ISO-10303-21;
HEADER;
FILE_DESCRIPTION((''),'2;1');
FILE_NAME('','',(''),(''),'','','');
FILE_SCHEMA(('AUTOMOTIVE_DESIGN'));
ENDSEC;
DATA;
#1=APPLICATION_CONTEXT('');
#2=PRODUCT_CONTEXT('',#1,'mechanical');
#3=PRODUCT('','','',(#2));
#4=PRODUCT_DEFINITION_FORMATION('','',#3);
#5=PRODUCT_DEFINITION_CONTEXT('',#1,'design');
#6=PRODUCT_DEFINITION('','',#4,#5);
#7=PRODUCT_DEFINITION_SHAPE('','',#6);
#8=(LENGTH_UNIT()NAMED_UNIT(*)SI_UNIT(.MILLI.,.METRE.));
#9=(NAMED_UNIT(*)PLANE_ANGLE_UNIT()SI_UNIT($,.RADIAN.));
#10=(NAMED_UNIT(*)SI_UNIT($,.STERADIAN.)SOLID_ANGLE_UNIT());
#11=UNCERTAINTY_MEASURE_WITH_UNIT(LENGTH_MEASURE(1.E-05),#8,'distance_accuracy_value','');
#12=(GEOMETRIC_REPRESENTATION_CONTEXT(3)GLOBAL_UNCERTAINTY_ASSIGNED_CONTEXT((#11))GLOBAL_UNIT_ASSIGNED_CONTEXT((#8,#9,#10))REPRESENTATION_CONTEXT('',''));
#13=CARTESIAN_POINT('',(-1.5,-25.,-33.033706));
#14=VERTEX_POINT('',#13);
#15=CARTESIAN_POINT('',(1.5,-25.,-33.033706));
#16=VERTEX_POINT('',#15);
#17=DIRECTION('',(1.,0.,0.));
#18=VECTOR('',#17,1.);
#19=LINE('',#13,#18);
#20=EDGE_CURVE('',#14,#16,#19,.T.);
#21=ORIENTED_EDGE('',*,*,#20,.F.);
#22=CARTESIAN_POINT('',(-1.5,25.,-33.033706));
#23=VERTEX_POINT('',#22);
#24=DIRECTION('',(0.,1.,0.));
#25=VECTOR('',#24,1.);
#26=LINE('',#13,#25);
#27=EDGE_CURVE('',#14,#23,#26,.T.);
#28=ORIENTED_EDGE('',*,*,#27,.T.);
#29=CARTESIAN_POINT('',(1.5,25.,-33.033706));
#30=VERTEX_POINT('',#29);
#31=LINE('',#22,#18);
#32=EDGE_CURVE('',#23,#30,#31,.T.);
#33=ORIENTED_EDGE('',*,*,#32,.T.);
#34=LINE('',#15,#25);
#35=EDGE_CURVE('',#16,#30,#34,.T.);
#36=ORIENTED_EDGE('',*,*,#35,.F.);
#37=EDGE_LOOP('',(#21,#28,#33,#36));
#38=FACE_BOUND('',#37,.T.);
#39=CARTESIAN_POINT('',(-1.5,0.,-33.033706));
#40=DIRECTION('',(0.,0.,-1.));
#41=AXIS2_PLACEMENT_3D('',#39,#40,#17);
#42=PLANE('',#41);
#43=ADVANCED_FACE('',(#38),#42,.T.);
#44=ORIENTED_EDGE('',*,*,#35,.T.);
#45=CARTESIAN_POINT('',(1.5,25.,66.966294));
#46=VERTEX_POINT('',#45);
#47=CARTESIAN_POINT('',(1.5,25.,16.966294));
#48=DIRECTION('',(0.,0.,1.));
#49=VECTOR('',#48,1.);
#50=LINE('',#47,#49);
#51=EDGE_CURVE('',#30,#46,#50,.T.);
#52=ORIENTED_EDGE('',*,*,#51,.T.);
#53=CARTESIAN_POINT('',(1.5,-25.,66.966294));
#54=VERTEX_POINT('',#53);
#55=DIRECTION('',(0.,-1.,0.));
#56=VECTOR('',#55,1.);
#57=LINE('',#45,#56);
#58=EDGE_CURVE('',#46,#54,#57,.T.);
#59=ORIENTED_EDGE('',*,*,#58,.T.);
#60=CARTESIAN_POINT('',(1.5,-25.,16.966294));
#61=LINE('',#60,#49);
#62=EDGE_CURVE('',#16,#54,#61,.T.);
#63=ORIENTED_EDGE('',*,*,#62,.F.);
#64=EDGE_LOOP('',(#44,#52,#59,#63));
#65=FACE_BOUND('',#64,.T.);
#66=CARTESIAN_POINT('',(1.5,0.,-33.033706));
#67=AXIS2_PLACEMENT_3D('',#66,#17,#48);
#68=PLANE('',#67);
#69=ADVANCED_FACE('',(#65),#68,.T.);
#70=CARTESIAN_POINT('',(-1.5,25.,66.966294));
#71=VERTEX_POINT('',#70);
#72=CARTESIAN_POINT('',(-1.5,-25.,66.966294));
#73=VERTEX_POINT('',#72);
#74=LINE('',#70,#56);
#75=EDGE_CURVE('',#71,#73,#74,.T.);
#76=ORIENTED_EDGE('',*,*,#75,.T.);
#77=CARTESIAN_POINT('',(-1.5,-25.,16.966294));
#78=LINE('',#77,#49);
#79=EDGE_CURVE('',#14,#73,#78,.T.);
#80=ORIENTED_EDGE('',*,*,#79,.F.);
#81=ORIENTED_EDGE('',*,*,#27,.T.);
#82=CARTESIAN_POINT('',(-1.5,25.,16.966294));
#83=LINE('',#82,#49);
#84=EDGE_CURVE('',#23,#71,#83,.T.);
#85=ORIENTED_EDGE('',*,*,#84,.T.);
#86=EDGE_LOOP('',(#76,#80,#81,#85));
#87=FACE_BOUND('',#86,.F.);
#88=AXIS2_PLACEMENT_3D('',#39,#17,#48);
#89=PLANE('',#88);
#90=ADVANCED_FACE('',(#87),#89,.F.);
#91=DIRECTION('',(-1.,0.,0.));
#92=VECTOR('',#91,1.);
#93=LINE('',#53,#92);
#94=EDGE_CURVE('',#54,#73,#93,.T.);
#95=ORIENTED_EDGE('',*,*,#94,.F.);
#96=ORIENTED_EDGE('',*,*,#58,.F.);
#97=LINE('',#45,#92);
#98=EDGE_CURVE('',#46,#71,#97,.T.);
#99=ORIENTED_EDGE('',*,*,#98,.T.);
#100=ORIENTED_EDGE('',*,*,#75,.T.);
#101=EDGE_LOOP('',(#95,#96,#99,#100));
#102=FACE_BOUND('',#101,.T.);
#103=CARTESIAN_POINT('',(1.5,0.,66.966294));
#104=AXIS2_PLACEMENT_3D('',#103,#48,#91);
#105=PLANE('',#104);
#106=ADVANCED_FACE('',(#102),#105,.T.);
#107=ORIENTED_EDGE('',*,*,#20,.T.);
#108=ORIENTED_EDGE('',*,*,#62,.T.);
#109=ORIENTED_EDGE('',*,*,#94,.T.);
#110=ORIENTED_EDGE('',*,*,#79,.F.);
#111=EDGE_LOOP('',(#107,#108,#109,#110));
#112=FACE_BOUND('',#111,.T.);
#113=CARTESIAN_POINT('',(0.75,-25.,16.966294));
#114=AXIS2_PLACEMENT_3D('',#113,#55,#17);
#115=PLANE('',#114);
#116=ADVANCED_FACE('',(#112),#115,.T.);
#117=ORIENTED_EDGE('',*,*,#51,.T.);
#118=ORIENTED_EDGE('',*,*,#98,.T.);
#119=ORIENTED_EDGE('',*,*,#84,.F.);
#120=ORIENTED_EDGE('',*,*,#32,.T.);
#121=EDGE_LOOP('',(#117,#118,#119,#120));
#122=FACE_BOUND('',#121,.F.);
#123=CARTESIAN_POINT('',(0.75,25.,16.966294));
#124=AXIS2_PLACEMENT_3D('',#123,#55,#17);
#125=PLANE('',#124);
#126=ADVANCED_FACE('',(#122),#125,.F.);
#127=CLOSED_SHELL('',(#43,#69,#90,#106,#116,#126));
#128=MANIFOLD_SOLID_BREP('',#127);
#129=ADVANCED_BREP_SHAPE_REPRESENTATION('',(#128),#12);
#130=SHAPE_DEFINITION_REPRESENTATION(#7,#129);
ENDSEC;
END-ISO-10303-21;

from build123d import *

# Parameters (mm, degrees)
F0_W     = 1.5
F0_H     = 100
F1_DEPTH = 25


with BuildPart() as f1:
    # F0 (on Front) → F1 (new body, symmetric)
    with BuildSketch(Plane.XZ):
        with Locations((0.75, 16.966294)):
            Rectangle(F0_W, F0_H)
        with Locations((-0.75, 16.966294)):
            Rectangle(F0_W, F0_H)
    extrude(amount=F1_DEPTH, both=True)


solid = f1.part
